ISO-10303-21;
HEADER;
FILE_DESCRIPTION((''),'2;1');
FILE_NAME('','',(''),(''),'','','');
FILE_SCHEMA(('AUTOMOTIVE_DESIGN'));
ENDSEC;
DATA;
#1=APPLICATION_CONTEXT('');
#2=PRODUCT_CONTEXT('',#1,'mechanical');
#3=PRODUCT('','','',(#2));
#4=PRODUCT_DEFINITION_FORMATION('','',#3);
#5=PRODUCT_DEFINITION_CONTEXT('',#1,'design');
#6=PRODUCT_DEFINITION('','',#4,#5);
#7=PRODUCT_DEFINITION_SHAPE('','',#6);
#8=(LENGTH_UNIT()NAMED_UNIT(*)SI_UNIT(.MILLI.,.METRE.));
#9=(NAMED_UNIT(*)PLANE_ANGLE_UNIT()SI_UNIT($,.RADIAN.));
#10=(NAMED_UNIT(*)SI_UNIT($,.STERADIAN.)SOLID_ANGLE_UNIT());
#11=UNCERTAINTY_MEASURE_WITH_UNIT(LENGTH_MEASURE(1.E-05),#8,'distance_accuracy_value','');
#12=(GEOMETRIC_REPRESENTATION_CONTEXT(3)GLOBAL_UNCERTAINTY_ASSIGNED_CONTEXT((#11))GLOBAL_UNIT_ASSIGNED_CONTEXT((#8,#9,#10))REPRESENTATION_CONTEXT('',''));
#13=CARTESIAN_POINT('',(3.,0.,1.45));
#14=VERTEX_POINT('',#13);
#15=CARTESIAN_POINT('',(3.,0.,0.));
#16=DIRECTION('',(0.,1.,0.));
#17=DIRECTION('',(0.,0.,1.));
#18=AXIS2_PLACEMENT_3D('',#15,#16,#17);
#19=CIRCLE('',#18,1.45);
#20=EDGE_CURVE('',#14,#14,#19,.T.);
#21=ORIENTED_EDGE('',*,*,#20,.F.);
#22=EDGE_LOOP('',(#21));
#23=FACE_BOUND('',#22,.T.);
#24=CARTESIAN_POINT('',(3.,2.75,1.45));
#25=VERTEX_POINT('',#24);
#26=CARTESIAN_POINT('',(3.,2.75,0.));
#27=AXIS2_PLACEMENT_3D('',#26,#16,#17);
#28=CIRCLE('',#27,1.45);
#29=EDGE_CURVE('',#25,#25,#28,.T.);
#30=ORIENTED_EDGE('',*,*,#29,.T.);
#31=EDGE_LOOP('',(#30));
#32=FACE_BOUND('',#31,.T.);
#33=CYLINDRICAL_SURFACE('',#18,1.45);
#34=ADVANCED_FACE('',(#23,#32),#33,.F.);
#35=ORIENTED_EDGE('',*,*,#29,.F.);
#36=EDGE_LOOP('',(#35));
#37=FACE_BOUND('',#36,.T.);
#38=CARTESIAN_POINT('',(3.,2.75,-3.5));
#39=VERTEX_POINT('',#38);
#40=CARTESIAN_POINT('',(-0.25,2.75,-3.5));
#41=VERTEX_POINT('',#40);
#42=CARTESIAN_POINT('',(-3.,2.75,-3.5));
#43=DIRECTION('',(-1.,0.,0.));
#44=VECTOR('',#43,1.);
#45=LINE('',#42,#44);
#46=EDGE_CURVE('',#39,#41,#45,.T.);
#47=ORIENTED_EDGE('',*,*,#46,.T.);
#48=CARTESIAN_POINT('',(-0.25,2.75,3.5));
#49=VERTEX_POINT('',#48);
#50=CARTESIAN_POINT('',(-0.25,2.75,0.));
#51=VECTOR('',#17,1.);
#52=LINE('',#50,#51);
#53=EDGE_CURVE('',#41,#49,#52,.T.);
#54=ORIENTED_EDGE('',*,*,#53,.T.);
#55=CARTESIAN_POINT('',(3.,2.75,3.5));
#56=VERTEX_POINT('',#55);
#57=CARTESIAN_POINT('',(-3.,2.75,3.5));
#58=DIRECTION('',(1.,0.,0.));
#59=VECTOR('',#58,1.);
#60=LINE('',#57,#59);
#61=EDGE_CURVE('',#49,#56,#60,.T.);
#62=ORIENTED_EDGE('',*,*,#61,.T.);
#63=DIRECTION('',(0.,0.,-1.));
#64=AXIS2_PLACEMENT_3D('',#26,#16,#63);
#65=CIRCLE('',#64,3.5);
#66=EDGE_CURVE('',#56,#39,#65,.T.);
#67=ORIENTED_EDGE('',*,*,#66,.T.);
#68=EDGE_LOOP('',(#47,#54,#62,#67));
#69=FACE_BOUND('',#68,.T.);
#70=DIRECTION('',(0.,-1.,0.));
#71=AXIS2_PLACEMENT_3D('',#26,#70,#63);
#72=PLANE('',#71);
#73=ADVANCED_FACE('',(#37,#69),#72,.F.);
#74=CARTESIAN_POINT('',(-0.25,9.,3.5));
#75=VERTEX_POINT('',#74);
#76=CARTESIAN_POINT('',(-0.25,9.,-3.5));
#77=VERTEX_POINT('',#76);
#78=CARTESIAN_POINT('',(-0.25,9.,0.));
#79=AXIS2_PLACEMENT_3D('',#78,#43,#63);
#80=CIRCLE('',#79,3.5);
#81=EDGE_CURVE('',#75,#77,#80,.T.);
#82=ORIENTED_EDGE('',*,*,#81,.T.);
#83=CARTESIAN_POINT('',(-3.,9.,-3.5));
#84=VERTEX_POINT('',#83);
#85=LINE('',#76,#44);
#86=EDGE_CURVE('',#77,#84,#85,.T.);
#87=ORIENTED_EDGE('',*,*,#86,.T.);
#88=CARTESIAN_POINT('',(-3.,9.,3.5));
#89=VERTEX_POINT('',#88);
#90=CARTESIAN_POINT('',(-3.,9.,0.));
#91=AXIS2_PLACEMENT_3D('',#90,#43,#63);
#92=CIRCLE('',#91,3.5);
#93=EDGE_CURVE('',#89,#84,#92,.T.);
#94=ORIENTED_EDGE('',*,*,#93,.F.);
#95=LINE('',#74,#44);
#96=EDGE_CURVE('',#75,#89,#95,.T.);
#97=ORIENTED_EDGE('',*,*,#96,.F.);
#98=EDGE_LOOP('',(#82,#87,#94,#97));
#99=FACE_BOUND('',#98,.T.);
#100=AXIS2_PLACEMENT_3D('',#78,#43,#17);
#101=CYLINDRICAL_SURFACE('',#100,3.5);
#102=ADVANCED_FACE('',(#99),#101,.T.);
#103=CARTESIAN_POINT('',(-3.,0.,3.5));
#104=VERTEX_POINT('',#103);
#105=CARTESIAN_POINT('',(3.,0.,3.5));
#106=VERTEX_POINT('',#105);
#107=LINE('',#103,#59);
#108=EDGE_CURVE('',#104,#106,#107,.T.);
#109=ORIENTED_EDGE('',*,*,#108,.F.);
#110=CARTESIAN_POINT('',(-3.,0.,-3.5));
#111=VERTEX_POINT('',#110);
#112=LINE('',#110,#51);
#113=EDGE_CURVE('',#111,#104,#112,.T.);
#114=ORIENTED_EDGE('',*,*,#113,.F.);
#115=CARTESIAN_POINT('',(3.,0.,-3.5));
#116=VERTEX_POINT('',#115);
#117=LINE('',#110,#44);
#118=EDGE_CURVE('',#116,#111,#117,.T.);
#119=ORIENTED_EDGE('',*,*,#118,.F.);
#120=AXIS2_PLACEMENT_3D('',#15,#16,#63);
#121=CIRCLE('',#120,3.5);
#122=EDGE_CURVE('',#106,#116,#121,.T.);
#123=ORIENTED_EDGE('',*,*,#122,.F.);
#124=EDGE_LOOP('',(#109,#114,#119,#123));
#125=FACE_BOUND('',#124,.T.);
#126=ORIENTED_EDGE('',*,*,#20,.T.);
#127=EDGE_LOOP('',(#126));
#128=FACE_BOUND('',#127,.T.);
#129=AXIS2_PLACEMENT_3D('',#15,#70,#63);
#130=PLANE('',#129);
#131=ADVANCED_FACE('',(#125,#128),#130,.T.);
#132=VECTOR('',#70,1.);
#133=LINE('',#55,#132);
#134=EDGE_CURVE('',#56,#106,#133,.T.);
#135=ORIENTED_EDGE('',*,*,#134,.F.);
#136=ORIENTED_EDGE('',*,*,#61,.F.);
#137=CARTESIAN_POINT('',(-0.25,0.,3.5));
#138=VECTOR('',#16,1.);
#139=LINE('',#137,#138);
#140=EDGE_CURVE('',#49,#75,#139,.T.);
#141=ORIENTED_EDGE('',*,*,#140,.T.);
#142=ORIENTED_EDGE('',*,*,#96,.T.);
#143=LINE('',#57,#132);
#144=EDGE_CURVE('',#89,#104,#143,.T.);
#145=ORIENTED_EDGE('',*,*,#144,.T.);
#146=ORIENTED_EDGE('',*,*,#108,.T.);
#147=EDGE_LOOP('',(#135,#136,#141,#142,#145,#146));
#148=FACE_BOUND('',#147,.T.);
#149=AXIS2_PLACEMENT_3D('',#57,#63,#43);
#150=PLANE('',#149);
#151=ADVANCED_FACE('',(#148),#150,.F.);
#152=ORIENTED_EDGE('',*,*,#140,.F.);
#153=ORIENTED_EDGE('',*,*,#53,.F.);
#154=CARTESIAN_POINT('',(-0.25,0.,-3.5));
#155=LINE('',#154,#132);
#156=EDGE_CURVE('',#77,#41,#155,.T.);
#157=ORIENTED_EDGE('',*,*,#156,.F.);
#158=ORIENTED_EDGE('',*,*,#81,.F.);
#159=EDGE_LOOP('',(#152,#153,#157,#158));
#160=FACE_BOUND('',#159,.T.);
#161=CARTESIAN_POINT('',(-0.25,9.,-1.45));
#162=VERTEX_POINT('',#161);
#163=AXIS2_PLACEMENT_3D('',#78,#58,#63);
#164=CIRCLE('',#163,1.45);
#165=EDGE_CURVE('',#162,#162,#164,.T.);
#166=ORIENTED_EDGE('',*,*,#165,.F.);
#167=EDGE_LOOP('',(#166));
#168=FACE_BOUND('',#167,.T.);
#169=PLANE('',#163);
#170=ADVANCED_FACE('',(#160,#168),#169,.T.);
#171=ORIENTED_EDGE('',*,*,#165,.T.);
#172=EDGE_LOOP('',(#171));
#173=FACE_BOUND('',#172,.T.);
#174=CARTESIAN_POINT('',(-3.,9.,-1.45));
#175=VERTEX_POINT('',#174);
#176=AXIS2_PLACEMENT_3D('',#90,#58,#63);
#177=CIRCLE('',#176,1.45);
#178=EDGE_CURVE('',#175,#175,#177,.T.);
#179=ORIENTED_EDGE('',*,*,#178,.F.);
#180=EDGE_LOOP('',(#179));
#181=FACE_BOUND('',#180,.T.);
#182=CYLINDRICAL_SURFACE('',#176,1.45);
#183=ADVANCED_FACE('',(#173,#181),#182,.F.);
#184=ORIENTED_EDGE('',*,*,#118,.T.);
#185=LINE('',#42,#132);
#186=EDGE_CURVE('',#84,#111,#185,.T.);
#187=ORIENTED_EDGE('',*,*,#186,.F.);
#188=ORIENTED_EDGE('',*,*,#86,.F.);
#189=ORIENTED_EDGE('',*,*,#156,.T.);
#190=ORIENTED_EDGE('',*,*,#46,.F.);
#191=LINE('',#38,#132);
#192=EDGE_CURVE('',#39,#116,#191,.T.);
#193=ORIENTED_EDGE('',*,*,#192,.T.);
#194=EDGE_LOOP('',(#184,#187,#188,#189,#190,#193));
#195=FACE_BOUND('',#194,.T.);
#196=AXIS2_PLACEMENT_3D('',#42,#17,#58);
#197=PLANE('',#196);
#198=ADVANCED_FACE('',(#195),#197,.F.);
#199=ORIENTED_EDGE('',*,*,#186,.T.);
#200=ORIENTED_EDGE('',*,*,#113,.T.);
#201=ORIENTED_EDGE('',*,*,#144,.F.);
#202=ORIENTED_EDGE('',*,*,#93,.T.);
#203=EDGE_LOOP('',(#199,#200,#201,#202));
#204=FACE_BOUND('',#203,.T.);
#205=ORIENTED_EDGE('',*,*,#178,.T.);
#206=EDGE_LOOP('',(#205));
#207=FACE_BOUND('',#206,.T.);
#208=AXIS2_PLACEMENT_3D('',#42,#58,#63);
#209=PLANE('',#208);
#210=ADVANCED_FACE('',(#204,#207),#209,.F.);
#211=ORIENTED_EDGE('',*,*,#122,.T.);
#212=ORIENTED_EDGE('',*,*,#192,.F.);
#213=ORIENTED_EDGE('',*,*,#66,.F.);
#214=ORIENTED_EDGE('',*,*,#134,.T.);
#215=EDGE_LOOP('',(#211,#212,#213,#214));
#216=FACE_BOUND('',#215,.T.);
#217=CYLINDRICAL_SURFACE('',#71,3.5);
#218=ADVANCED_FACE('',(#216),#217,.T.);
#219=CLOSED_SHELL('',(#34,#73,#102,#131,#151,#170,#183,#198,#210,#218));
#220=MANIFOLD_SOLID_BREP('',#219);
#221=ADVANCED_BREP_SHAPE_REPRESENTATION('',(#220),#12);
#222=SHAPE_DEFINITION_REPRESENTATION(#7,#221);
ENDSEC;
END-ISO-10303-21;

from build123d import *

# Parameters (mm, degrees)
BOSS_EXTRUDE1_DEPTH = 2.75
SKETCH3_R           = 1.45
CUT_EXTRUDE1_DEPTH  = 2.75
BOSS_EXTRUDE2_DEPTH = 2.75
SKETCH6_R           = 1.45
CUT_EXTRUDE2_DEPTH  = 2.75


with BuildPart() as part:
    # Sketch1 → Boss-Extrude1 (new body)
    with BuildSketch(Plane(origin=(0, 0, 0), x_dir=(1, 0, 0), z_dir=(0, 1, 0))):
        with BuildLine():
            Line((-3, 3.5), (3, 3.5))
            ThreePointArc((3, 3.5), (6.5, 0), (3, -3.5))
            Line((3, -3.5), (-3, -3.5))
            Line((-3, -3.5), (-3, 3.5))
        make_face()
    extrude(amount=BOSS_EXTRUDE1_DEPTH)

    # Sketch3 → Cut-Extrude1 (cut)
    with BuildSketch(Plane(origin=(0, 2.75, 0), x_dir=(1, 0, 0), z_dir=(0, 1, 0))):
        with Locations(Location((3, 0, 0), (0, 0, 270))):
            Circle(SKETCH3_R)
    extrude(amount=-CUT_EXTRUDE1_DEPTH, mode=Mode.SUBTRACT)

    # Sketch5 → Boss-Extrude2 (add)
    with BuildSketch(Plane.ZY.offset(3)):
        with BuildLine():
            Line((-3.5, 0), (3.5, 0))
            Line((3.5, 0), (3.5, 9))
            ThreePointArc((3.5, 9), (0, 12.5), (-3.5, 9))
            Line((-3.5, 9), (-3.5, 0))
        make_face()
    extrude(amount=-BOSS_EXTRUDE2_DEPTH)

    # Sketch6 → Cut-Extrude2 (cut)
    with BuildSketch(Plane(origin=(-0.25, 0, 0), x_dir=(0, 0, -1), z_dir=(1, 0, 0))):
        with Locations((0, 9)):
            Circle(SKETCH6_R)
    extrude(amount=-CUT_EXTRUDE2_DEPTH, mode=Mode.SUBTRACT)


solid = part.part
